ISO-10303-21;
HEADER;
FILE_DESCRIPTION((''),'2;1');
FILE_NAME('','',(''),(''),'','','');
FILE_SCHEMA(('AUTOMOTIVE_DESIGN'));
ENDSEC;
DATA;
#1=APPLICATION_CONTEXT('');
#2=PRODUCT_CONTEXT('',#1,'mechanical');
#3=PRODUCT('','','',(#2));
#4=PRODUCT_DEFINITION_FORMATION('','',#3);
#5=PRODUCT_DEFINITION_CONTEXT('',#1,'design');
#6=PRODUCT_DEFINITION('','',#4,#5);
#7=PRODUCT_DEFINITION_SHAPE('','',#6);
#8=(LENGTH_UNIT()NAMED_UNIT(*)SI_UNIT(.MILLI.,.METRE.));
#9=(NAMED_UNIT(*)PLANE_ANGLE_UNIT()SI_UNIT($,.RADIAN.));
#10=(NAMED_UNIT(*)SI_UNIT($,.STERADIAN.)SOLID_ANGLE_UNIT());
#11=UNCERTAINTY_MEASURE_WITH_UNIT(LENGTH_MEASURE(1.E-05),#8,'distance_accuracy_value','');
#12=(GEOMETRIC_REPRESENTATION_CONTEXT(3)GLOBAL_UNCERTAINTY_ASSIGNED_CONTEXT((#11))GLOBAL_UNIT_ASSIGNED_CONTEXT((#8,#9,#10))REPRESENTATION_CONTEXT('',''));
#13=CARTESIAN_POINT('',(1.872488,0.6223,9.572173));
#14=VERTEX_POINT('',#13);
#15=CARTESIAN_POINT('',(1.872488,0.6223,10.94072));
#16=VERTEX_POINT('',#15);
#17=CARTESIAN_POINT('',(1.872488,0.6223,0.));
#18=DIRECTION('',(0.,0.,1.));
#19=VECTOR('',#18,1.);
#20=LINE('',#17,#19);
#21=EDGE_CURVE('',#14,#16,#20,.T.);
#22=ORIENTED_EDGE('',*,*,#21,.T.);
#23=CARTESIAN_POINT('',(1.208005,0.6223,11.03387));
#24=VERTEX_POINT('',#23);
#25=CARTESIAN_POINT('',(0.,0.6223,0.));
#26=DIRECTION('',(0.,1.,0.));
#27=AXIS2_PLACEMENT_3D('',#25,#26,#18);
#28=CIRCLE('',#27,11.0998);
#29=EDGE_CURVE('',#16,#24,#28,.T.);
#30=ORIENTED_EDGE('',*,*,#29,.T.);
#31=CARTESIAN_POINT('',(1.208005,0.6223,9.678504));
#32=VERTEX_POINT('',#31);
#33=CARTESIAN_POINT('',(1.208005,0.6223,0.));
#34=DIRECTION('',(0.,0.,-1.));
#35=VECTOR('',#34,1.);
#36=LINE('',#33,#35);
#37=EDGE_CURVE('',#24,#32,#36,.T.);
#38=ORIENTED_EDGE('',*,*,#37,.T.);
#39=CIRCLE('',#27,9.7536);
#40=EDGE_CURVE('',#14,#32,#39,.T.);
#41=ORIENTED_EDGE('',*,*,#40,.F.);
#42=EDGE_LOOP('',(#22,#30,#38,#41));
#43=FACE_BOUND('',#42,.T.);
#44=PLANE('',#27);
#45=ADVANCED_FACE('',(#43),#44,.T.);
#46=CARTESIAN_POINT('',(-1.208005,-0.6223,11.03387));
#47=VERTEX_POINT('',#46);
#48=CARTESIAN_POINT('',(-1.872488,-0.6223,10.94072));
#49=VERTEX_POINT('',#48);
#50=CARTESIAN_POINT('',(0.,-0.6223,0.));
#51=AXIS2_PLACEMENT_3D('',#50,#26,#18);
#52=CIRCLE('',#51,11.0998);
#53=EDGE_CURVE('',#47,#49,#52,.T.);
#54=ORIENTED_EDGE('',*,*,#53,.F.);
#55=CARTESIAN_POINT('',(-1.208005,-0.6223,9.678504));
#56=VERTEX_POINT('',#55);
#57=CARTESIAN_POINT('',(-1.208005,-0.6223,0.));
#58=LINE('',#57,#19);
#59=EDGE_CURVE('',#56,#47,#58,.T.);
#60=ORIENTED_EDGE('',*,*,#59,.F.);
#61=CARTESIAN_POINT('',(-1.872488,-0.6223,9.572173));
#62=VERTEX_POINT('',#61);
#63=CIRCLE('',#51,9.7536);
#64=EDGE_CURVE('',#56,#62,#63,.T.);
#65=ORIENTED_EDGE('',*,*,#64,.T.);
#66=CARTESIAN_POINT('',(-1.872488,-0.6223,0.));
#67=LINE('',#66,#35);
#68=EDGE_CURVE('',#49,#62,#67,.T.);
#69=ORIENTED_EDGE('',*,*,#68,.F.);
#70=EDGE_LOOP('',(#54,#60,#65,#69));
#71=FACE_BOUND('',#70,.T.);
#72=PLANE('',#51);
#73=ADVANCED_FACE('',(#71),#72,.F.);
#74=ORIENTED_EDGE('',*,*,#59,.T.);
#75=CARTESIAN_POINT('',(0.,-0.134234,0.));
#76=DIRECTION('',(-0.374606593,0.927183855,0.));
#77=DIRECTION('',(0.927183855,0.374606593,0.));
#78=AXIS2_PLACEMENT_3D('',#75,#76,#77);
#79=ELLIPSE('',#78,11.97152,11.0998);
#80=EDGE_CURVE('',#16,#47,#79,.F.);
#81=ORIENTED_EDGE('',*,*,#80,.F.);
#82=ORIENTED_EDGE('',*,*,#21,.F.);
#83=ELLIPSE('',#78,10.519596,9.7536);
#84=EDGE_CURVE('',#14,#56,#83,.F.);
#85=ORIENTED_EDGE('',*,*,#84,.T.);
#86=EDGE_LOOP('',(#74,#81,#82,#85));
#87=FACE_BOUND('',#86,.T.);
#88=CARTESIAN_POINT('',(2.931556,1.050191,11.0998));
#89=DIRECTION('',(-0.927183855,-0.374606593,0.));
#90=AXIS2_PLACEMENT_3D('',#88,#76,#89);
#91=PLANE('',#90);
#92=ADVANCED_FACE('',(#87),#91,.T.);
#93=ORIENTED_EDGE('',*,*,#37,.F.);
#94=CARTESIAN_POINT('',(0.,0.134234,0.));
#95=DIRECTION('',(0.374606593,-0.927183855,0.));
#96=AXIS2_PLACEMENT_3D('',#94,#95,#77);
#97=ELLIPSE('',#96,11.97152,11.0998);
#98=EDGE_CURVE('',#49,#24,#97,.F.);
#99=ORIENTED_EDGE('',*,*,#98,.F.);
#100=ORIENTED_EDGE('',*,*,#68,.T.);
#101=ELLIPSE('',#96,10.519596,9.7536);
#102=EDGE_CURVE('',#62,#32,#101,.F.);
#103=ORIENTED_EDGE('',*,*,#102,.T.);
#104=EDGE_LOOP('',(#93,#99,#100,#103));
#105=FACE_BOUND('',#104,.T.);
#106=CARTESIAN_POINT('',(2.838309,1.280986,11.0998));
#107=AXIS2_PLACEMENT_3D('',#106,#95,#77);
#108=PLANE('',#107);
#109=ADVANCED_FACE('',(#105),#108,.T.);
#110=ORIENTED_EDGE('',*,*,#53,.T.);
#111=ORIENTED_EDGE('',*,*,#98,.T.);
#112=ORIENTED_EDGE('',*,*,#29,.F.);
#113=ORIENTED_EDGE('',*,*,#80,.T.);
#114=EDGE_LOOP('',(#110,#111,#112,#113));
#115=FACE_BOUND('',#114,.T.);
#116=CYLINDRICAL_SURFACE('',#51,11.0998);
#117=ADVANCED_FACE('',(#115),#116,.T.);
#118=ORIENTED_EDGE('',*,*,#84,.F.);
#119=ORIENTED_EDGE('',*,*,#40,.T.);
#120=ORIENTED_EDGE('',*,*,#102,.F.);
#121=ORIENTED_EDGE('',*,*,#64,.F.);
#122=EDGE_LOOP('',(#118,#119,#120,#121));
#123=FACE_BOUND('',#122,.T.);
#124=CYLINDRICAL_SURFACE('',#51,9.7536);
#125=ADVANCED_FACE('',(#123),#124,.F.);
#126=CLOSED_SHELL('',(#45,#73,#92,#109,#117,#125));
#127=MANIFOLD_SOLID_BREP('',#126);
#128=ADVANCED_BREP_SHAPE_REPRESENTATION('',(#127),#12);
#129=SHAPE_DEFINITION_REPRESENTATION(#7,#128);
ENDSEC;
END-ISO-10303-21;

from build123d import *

# Parameters (mm, degrees)
SKETCH3_R                = 11.0998
SKETCH3_R_2              = 9.7536
BOSS_EXTRUDE1_DEPTH      = 0.6223
BOSS_EXTRUDE1_DEPTH_BACK = 0.6223
CUT_EXTRUDE1_DEPTH       = 12.0998


with BuildPart() as part:
    # Sketch3 → Boss-Extrude1 (new body, two sides)
    with BuildSketch(Plane(origin=(0, 0, 0), x_dir=(1, 0, 0), z_dir=(0, 1, 0))) as boss_extrude1_sk:
        Circle(SKETCH3_R)
        Circle(SKETCH3_R_2, mode=Mode.SUBTRACT)
    extrude(amount=BOSS_EXTRUDE1_DEPTH)
    extrude(boss_extrude1_sk.sketch, amount=-BOSS_EXTRUDE1_DEPTH_BACK)

    # Sketch4 → Cut-Extrude1 (cut, through all)
    with BuildSketch(Plane.XY):
        Polygon((2.838309027, 1.280985718), (-2.9315561, -1.050191113), (-2.838309027, -1.280985718), (2.9315561, 1.050191113), align=None)
    extrude(amount=CUT_EXTRUDE1_DEPTH, mode=Mode.SUBTRACT)


solid = part.part
